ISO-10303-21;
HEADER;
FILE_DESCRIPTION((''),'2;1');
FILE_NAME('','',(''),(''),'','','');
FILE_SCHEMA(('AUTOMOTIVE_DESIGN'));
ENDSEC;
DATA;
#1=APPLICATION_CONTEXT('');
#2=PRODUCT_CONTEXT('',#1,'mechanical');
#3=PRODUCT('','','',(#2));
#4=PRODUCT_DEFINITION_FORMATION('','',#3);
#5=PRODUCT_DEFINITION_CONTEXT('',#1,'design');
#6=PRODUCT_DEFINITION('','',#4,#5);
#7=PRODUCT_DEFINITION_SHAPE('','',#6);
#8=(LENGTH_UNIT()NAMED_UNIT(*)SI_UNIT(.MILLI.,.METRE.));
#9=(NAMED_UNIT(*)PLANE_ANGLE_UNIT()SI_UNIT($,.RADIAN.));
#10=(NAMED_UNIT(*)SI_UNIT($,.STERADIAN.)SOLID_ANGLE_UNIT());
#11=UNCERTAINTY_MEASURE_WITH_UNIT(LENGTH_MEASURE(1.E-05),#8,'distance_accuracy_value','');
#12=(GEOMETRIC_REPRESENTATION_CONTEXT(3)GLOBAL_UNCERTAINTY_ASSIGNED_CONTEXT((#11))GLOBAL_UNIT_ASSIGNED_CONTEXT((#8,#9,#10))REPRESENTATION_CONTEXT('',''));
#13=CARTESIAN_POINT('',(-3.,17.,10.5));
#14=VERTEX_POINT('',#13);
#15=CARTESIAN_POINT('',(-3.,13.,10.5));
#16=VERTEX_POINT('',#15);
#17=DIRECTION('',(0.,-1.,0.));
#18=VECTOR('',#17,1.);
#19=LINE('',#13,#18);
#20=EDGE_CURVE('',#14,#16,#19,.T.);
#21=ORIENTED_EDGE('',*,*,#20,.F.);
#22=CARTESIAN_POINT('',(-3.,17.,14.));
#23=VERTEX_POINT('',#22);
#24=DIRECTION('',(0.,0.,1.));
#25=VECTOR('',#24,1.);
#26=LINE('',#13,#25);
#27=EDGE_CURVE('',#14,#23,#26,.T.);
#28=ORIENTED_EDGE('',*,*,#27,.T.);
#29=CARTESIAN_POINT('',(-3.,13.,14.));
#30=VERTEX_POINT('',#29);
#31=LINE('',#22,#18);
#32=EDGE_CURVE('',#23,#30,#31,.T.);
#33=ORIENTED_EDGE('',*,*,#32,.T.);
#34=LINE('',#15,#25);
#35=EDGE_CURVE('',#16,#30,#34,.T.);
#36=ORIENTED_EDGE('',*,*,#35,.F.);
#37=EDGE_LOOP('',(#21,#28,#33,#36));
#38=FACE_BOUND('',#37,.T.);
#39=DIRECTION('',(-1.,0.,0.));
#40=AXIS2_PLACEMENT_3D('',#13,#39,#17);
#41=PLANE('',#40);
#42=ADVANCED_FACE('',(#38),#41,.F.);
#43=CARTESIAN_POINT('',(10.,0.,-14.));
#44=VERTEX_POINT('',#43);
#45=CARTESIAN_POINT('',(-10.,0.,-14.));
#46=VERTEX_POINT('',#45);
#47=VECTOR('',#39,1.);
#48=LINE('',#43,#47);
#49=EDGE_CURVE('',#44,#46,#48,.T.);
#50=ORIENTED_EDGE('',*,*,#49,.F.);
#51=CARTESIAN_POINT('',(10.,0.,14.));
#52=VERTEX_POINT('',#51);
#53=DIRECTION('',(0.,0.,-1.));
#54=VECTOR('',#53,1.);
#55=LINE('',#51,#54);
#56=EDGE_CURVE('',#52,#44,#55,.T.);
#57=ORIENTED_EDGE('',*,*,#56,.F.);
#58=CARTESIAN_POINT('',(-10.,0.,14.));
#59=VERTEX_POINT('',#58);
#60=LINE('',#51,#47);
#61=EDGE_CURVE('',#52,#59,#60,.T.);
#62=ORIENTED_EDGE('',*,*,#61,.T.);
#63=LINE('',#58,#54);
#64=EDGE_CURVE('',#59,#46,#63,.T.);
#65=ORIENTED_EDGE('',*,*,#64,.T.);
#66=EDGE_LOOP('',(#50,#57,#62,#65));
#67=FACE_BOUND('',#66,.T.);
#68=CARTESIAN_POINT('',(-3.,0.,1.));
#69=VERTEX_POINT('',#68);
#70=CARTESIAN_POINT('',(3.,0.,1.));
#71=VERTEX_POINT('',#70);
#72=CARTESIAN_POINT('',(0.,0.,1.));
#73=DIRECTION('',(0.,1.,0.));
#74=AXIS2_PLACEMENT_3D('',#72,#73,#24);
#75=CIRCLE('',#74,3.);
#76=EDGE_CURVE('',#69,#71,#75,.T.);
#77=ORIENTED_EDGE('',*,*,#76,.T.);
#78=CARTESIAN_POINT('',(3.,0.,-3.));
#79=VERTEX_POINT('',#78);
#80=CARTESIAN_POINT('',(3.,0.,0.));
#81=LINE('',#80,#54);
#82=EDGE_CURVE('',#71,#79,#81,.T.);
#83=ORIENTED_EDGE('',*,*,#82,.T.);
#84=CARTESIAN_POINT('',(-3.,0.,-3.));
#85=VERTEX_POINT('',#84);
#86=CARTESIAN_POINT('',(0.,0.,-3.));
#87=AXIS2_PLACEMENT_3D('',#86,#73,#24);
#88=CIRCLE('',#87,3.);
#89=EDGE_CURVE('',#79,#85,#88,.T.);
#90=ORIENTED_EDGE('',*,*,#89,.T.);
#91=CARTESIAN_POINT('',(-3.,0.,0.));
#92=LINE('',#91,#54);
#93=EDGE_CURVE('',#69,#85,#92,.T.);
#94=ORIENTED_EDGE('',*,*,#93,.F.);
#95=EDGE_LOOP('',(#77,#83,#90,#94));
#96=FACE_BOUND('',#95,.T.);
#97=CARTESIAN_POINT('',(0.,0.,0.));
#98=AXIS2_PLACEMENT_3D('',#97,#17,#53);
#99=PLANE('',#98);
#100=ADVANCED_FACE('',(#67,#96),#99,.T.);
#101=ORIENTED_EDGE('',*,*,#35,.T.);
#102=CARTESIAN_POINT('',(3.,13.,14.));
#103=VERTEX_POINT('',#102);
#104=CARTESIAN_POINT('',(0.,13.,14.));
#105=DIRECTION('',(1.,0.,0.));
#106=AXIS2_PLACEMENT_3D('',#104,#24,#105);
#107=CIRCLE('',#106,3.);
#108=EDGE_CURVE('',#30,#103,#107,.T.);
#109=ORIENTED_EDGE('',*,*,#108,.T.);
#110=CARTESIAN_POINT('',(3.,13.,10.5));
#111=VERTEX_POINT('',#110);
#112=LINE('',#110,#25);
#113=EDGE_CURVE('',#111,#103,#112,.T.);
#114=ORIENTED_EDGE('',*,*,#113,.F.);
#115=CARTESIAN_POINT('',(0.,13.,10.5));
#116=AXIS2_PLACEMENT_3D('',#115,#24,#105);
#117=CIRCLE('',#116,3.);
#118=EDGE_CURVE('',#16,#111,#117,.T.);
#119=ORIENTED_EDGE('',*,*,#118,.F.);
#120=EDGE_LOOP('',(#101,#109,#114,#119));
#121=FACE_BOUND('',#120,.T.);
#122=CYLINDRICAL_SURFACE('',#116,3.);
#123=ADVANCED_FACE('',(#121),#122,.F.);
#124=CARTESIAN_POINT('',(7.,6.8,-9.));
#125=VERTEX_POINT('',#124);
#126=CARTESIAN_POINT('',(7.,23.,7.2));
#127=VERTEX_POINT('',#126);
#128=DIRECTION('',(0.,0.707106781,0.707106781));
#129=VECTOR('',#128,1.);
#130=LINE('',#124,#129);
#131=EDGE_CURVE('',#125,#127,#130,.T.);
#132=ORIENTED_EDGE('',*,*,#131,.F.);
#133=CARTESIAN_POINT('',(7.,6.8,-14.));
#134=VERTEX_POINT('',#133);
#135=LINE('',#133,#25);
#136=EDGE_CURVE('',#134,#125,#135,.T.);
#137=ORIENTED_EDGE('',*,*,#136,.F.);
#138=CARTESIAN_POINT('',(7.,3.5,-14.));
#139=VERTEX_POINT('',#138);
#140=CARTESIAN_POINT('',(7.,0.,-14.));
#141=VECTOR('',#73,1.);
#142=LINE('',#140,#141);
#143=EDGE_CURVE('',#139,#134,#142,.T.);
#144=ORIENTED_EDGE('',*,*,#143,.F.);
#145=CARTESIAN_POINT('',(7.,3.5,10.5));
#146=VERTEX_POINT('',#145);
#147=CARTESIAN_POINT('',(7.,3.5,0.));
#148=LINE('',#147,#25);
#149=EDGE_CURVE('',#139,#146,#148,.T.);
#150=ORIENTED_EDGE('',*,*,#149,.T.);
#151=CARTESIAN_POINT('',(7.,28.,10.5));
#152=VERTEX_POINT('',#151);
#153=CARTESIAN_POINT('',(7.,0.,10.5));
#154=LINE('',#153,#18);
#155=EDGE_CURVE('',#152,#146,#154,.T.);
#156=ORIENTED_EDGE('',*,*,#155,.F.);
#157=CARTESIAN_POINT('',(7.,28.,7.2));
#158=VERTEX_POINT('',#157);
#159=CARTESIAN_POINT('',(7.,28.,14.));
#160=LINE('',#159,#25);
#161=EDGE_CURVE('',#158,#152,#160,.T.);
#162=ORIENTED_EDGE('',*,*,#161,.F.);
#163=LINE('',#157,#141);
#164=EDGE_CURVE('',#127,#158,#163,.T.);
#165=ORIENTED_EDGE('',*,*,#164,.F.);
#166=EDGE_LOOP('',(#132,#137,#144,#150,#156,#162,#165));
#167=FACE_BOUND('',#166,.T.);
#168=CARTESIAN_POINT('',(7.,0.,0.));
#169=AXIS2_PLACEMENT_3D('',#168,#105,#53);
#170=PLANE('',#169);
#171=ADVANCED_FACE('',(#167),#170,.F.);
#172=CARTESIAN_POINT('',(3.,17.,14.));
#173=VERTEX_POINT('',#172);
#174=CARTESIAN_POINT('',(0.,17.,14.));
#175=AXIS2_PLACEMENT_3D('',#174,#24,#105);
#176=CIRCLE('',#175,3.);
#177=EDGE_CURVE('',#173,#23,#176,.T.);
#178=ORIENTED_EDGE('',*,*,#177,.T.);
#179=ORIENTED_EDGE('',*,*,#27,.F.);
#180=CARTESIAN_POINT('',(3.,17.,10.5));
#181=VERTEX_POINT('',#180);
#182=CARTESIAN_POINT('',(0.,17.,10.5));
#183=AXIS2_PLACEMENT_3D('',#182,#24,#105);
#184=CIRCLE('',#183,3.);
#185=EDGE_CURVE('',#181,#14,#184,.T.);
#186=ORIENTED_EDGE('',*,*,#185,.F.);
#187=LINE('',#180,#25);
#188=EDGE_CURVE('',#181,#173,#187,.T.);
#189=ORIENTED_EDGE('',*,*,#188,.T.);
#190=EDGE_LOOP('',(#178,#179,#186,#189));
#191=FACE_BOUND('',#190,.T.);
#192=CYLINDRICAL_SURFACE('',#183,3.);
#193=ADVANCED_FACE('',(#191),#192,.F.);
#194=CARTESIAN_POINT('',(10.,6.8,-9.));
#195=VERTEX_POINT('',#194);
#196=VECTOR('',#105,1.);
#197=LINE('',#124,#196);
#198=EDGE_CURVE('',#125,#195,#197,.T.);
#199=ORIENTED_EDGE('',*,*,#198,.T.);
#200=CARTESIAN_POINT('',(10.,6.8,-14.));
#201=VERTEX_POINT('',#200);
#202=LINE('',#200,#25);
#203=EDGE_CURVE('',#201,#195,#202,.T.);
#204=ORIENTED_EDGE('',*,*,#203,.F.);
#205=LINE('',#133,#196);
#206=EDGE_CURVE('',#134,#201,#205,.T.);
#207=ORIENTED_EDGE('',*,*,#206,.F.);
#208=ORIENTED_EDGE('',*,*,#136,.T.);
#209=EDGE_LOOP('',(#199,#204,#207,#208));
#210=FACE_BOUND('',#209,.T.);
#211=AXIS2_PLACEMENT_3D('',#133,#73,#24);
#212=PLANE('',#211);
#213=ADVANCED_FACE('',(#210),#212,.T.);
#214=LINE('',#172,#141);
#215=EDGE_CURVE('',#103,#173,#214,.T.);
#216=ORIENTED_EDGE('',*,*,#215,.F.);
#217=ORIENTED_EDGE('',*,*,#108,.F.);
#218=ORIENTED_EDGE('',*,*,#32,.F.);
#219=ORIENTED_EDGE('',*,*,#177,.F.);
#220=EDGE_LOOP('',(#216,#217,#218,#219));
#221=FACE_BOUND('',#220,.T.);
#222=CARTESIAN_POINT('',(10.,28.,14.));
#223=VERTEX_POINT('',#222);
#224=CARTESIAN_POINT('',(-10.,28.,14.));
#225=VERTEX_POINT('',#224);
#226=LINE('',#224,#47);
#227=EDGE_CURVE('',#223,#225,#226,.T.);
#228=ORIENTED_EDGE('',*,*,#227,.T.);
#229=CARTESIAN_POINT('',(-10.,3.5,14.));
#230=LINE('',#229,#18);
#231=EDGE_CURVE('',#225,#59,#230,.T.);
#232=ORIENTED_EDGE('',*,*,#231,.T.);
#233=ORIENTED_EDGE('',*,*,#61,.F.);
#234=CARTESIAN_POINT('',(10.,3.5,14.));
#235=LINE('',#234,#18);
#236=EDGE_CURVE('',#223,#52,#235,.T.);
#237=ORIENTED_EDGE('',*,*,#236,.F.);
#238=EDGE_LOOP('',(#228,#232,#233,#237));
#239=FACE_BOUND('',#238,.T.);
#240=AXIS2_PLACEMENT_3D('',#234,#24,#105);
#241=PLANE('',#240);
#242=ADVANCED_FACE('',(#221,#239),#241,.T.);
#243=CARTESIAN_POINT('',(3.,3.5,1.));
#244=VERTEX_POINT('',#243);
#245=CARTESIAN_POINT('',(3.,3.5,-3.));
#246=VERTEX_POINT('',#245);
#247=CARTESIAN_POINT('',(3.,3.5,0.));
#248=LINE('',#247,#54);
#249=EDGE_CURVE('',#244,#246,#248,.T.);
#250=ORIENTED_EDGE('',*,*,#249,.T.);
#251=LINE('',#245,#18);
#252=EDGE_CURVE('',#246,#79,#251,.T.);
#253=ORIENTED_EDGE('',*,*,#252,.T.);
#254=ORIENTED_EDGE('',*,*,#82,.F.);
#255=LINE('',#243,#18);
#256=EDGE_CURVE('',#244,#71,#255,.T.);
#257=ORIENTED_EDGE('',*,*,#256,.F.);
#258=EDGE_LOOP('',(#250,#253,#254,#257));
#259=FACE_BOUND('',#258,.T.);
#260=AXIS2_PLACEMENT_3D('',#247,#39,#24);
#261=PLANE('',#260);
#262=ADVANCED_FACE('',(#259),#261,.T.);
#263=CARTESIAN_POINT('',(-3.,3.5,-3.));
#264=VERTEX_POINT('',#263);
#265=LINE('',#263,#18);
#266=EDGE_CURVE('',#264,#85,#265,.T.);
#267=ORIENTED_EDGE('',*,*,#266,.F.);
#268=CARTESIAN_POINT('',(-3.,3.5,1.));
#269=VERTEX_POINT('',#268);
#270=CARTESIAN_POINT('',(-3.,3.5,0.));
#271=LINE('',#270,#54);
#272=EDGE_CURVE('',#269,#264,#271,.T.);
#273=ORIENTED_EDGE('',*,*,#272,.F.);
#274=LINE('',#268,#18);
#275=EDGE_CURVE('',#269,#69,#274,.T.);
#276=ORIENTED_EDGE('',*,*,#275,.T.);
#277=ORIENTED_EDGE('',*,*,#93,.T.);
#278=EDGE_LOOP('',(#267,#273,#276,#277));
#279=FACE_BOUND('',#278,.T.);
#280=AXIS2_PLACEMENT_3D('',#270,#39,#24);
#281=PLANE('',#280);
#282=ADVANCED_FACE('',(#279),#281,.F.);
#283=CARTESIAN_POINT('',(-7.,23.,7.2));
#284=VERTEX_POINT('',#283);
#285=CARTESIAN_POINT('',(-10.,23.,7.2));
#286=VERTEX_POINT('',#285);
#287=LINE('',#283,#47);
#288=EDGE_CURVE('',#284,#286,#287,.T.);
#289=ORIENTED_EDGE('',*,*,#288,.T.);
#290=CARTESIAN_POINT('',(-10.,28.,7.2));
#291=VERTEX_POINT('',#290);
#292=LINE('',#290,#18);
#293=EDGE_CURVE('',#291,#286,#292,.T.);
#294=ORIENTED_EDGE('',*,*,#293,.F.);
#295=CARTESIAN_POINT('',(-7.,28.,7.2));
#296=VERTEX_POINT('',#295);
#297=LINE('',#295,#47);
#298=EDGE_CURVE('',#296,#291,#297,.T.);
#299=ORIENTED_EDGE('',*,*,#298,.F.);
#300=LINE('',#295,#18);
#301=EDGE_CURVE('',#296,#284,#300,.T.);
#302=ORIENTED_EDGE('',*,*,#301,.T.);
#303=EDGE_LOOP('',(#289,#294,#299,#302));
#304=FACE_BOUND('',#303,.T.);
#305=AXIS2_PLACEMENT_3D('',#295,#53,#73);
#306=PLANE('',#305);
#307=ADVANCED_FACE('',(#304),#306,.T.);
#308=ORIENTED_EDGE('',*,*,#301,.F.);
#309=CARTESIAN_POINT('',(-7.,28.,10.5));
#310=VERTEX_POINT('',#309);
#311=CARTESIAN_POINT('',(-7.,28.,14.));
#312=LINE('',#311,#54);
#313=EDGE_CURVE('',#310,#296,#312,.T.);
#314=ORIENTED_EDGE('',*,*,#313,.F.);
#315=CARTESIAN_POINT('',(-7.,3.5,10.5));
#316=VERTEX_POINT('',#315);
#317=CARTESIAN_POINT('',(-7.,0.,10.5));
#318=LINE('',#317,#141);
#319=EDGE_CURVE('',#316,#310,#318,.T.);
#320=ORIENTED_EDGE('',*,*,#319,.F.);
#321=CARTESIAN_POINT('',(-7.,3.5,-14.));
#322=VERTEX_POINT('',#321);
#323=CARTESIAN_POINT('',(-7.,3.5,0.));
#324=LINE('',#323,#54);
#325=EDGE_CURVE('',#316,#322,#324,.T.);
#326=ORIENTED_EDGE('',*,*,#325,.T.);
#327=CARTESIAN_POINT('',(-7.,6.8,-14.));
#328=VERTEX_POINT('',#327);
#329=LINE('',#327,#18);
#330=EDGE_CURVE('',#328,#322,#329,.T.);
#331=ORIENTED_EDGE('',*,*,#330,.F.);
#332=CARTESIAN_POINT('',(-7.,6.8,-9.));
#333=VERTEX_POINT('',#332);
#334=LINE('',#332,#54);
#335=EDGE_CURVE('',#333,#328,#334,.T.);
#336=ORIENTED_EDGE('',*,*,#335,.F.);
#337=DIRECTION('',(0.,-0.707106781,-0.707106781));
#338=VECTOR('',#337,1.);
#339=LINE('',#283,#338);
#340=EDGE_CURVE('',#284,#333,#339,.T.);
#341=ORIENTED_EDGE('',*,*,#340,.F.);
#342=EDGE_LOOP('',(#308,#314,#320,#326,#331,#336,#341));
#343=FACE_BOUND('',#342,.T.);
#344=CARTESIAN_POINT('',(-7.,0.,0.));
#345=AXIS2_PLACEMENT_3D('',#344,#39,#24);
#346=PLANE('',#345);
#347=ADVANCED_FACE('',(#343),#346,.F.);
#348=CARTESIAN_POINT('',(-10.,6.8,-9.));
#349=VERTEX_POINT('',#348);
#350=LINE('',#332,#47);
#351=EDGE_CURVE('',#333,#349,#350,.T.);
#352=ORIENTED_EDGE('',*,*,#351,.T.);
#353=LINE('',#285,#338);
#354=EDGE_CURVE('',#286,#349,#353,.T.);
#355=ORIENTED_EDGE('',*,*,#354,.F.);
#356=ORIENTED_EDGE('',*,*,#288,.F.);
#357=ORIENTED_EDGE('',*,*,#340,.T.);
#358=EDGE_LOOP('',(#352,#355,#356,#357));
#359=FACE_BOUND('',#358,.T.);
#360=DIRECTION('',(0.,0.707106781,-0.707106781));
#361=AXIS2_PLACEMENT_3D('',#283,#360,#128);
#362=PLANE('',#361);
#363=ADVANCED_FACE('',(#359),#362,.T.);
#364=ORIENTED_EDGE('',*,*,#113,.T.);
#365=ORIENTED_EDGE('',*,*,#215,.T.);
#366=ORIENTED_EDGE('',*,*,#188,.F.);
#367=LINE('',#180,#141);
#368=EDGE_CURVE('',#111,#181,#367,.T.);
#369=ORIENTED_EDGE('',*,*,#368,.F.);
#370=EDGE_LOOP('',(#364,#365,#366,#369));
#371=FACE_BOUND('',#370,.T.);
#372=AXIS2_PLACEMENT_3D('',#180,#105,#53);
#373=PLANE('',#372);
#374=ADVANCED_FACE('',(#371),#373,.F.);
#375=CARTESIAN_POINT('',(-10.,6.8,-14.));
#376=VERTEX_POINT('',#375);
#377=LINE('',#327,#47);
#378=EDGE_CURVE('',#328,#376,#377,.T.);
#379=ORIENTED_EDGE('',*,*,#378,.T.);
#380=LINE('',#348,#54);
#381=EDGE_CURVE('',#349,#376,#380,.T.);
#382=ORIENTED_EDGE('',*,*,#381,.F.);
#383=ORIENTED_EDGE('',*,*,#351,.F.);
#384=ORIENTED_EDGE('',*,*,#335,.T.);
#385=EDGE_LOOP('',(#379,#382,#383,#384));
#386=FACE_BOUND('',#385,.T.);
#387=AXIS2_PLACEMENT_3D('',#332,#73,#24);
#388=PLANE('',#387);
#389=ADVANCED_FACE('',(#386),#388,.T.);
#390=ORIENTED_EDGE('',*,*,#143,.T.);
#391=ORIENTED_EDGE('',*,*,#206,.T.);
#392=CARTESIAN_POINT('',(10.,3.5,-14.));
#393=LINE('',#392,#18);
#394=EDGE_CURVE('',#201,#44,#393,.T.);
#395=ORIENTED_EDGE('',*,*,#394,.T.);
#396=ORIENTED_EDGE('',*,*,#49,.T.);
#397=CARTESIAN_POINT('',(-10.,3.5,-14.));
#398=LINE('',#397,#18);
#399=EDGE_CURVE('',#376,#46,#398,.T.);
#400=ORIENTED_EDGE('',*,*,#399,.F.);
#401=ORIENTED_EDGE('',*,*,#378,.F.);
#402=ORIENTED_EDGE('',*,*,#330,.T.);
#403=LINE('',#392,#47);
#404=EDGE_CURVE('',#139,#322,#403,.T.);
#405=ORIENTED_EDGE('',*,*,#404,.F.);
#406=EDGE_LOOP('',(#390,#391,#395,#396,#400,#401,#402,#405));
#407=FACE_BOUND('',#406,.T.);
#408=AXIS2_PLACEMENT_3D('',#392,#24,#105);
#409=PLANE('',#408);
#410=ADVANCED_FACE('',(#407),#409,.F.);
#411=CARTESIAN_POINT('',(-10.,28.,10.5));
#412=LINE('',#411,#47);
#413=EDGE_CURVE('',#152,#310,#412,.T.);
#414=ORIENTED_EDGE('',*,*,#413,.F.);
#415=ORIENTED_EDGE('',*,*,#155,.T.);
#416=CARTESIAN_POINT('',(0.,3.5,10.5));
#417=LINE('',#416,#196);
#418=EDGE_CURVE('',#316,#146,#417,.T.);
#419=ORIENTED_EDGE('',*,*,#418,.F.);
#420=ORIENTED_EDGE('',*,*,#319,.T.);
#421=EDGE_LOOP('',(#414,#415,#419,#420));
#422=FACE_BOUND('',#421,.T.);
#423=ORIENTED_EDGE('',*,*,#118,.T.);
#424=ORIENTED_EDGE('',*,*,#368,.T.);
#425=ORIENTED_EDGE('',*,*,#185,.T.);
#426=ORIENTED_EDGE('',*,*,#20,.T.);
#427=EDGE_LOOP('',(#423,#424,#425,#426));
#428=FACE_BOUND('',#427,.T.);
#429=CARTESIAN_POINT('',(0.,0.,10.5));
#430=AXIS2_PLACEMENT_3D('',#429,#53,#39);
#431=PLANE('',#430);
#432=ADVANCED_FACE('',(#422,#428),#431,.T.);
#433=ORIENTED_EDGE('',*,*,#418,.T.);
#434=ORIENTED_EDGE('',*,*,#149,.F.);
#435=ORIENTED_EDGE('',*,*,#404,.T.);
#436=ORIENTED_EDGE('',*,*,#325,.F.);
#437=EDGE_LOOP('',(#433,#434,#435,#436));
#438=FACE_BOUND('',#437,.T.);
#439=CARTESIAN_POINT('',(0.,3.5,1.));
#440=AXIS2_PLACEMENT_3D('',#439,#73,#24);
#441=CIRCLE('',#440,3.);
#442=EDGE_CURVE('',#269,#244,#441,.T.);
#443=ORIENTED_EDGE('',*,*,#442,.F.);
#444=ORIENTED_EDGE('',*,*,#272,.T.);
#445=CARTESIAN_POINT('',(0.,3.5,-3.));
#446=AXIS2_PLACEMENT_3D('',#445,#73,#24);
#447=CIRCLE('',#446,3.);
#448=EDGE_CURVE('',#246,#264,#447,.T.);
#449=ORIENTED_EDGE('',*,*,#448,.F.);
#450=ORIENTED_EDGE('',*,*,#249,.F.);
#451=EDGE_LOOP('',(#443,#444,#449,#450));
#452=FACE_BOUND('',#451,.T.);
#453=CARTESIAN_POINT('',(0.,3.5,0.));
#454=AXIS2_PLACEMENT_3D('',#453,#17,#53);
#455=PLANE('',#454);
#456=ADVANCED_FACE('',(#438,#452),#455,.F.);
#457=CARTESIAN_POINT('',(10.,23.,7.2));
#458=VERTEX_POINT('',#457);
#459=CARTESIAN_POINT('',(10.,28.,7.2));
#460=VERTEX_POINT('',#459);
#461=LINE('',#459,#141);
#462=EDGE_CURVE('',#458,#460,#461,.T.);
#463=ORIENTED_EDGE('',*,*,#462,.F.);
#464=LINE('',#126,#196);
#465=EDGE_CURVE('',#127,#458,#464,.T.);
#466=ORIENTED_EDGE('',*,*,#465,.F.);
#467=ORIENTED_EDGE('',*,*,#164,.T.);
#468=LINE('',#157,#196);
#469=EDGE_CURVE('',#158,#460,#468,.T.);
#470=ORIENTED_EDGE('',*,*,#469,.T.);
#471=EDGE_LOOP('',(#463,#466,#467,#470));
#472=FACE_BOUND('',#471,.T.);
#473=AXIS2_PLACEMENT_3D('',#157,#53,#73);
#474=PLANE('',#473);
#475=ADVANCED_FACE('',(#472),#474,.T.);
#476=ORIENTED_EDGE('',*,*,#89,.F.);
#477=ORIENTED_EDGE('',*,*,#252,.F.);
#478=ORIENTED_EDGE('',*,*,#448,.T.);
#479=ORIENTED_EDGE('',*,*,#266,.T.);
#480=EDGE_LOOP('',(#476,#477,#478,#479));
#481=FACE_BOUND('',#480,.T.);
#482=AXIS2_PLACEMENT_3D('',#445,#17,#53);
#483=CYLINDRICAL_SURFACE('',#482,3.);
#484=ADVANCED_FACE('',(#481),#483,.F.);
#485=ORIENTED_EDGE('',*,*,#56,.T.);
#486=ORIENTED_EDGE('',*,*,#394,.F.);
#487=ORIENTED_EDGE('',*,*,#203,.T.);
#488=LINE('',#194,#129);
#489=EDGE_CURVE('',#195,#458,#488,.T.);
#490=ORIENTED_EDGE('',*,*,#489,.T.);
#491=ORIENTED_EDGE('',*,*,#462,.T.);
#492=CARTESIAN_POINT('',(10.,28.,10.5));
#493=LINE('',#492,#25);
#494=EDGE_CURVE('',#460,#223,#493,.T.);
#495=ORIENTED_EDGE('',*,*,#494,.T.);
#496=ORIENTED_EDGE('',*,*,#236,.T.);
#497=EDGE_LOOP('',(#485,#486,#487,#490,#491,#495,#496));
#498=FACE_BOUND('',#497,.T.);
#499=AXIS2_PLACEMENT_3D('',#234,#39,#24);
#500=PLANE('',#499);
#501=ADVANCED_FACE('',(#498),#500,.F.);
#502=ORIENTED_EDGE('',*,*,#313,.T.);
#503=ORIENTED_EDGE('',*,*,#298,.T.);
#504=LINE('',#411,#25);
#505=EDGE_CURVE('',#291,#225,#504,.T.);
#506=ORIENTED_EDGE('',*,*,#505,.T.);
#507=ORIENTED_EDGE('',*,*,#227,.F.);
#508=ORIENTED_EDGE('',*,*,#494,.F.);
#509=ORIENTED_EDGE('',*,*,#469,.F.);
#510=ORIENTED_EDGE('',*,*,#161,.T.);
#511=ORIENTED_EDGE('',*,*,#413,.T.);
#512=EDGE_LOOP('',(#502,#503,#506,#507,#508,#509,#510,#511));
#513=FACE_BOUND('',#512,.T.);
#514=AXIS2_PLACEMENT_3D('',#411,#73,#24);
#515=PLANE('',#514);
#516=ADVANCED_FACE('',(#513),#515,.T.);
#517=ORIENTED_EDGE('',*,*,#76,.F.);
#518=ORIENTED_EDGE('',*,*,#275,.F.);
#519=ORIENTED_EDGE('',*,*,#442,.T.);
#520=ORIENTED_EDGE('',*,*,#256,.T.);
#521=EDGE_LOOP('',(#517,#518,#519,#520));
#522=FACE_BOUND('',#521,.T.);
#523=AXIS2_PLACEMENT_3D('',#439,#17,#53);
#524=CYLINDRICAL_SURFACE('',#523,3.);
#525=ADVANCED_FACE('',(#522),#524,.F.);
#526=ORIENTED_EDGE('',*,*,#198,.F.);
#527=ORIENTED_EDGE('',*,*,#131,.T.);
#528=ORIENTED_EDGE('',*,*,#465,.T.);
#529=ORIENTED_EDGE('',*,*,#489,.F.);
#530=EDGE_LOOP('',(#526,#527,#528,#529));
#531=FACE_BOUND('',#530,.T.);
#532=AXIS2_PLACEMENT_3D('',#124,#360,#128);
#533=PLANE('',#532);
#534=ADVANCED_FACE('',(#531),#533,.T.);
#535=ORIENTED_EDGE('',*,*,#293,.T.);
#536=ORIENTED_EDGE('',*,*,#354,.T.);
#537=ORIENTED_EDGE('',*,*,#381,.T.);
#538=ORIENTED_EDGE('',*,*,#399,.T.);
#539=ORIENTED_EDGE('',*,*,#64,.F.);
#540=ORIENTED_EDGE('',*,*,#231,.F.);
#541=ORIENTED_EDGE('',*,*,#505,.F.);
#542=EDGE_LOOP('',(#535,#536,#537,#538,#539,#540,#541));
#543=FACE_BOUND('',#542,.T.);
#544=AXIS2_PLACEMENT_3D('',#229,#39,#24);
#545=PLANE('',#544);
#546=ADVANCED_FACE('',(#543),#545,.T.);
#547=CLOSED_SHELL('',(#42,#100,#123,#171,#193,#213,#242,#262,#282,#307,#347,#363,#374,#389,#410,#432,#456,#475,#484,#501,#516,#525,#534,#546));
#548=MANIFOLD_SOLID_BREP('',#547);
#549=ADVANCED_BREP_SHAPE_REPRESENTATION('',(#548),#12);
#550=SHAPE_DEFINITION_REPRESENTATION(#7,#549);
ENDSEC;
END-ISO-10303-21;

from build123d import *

# Parameters (mm, degrees)
SKETCH2_W           = 20
SKETCH2_H           = 28
BOSS_EXTRUDE1_DEPTH = 3.5
SKETCH3_W           = 20
SKETCH3_H           = 28
BOSS_EXTRUDE2_DEPTH = 3.5
BOSS_EXTRUDE3_DEPTH = 3
BOSS_EXTRUDE4_DEPTH = 3


with BuildPart() as part:
    # Sketch2 → Boss-Extrude1 (new body)
    with BuildSketch(Plane(origin=(0, 0, 0), x_dir=(1, 0, 0), z_dir=(0, 1, 0))):
        Rectangle(SKETCH2_W, SKETCH2_H)
        with BuildLine():
            Line((-3, -1), (-3, 3))
            ThreePointArc((-3, 3), (0, 6), (3, 3))
            Line((3, 3), (3, -1))
            ThreePointArc((3, -1), (0, -4), (-3, -1))
        make_face(mode=Mode.SUBTRACT)
    extrude(amount=BOSS_EXTRUDE1_DEPTH)

    # Sketch3 → Boss-Extrude2 (add)
    with BuildSketch(Plane.XY.offset(14)):
        with Locations((0, 14)):
            Rectangle(SKETCH3_W, SKETCH3_H)
        with BuildLine():
            Line((3, 17), (3, 13))
            ThreePointArc((3, 13), (0, 10), (-3, 13))
            Line((-3, 13), (-3, 17))
            ThreePointArc((-3, 17), (0, 20), (3, 17))
        make_face(mode=Mode.SUBTRACT)
    extrude(amount=-BOSS_EXTRUDE2_DEPTH)

    # Sketch4 → Boss-Extrude3 (add)
    with BuildSketch(Plane(origin=(10, 0, 0), x_dir=(0, 0, -1), z_dir=(1, 0, 0))):
        Polygon((-14, 0), (14, 0), (14, 6.8), (9, 6.8), (-7.2, 23), (-7.2, 28), (-14, 28), align=None)
    extrude(amount=-BOSS_EXTRUDE3_DEPTH)

    # Sketch5 → Boss-Extrude4 (add)
    with BuildSketch(Plane.ZY.offset(10)):
        Polygon((-14, 0), (14, 0), (14, 28), (7.2, 28), (7.2, 23), (-9, 6.8), (-14, 6.8), align=None)
    extrude(amount=-BOSS_EXTRUDE4_DEPTH)


solid = part.part
